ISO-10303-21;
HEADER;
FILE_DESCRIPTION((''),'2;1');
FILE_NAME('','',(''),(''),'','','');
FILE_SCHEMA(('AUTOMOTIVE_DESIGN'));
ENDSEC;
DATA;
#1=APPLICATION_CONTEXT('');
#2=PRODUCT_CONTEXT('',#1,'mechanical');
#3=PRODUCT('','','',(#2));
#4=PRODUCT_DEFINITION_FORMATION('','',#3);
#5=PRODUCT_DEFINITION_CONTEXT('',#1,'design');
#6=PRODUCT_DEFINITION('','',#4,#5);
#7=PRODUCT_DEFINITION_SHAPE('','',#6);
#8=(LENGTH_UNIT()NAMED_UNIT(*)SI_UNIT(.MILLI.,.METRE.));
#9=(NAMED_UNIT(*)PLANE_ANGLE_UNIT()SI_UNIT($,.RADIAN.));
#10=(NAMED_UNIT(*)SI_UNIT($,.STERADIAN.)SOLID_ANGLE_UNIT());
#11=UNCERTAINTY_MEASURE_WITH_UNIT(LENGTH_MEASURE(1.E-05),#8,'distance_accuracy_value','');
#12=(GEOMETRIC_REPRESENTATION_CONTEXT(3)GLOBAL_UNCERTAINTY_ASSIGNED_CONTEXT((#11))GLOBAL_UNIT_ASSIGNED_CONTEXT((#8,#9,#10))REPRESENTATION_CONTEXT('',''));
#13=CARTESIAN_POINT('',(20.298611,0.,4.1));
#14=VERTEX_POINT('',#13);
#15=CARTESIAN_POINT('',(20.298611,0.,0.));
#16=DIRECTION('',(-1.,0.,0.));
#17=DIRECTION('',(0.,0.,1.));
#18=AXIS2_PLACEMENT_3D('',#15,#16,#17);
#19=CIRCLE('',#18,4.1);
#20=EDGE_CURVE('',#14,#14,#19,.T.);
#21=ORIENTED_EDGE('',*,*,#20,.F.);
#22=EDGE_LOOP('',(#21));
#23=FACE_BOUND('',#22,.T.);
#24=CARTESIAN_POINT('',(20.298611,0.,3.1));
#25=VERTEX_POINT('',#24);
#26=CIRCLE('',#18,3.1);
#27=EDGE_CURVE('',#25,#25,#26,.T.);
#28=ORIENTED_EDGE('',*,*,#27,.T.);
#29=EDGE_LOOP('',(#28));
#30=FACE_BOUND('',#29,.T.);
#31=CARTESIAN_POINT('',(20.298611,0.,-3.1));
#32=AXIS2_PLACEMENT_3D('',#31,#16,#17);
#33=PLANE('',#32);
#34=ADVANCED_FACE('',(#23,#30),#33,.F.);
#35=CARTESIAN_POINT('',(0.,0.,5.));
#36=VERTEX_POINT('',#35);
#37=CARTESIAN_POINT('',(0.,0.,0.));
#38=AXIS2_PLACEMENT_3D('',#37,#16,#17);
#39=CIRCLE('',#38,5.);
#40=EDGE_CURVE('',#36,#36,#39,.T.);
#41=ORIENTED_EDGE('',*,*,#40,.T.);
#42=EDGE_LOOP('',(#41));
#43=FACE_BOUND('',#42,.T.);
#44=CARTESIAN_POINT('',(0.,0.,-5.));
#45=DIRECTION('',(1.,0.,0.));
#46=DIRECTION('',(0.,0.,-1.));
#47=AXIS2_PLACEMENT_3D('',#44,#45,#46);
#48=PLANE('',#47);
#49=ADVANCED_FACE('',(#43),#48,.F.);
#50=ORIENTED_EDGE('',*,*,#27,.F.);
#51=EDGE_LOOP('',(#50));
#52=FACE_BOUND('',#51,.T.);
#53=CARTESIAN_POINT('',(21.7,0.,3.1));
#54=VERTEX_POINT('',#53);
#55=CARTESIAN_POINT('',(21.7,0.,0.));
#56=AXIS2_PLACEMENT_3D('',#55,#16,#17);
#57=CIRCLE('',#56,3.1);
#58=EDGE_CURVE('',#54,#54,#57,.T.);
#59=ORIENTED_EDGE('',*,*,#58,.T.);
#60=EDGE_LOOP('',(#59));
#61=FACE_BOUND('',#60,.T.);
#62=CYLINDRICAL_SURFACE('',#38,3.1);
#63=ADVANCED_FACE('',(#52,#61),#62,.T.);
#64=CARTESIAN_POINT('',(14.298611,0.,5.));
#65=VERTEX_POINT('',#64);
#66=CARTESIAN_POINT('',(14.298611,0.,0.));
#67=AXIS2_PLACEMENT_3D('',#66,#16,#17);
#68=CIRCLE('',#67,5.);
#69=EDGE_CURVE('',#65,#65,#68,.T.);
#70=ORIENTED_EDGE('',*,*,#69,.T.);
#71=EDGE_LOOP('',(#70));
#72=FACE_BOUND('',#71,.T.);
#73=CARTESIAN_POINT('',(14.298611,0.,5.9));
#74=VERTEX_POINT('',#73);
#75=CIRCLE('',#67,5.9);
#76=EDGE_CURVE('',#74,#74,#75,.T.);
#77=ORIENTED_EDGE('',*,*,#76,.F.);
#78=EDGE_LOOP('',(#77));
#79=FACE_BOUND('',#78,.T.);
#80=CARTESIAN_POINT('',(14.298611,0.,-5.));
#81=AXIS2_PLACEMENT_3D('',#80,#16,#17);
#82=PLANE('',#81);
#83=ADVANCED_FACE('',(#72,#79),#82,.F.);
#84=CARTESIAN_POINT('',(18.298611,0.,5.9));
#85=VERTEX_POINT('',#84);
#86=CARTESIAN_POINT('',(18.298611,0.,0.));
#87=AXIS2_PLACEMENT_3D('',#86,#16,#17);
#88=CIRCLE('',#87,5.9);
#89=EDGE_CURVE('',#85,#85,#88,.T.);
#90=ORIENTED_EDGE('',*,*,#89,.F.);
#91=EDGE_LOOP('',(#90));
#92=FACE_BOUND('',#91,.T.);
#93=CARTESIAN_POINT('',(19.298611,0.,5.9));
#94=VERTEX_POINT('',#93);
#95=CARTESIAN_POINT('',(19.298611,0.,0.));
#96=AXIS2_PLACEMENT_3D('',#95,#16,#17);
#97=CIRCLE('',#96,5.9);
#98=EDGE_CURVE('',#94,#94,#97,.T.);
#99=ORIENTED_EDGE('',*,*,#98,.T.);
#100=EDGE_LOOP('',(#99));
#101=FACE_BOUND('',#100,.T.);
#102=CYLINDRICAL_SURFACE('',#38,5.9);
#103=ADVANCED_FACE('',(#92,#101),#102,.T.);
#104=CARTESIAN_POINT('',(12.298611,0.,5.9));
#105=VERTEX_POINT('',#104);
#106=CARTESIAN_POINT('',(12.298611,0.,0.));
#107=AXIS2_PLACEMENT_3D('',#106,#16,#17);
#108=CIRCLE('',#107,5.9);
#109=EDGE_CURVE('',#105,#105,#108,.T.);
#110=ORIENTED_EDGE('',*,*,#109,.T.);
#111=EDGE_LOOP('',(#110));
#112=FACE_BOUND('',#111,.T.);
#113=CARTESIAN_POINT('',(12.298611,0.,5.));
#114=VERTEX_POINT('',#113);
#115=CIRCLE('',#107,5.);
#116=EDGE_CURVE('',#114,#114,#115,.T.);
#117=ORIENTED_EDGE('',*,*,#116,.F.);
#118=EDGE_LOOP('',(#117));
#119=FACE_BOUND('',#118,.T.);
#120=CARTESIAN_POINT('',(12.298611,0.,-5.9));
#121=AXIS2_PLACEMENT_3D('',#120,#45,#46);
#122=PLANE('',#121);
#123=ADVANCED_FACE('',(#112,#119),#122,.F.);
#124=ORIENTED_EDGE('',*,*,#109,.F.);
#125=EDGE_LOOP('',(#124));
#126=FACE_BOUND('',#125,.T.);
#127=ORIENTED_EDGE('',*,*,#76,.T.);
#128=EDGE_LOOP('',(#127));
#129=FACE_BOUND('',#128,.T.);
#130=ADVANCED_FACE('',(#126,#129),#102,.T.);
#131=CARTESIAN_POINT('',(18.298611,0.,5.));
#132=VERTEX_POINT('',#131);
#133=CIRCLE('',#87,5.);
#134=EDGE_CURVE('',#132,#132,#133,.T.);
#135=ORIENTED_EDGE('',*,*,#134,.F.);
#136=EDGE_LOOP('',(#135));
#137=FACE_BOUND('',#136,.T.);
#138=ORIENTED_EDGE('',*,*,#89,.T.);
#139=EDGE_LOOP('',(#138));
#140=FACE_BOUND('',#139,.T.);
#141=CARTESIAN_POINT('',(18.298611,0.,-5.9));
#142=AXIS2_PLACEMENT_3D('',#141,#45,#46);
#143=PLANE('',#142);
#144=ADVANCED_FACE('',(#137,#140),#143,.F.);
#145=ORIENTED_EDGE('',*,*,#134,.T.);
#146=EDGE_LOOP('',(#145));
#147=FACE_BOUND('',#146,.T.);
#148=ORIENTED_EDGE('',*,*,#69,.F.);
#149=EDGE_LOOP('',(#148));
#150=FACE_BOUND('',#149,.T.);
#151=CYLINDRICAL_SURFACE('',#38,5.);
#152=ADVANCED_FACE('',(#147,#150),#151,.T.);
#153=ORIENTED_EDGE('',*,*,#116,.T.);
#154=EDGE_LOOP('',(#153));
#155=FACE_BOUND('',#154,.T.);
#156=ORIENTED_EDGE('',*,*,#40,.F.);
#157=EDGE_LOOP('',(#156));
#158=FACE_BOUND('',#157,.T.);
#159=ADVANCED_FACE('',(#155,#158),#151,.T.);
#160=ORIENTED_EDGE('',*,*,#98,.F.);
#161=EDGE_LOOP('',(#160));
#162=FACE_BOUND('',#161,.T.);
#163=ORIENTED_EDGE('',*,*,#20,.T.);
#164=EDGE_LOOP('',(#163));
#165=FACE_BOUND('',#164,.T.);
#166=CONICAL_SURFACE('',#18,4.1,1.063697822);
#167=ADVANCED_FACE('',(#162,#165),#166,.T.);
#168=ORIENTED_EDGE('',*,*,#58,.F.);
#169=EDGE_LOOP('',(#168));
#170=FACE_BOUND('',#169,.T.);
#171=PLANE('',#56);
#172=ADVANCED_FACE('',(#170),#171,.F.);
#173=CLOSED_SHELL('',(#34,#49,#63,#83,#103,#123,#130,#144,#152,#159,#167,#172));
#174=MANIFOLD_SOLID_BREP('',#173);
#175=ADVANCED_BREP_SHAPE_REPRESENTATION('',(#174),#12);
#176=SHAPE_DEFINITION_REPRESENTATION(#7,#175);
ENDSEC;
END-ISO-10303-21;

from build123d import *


with BuildPart() as part:
    # Sketch1 → Revolve1 (revolve)
    with BuildSketch(Plane(origin=(0, 0, 0), x_dir=(1, 0, 0), z_dir=(0, 1, 0)), mode=Mode.PRIVATE) as revolve1_sk:
        Polygon((21.7, 0), (21.7, 3.1), (20.298611111, 3.1), (20.298611111, 4.1), (19.298611111, 5.9), (18.298611111, 5.9), (18.298611111, 5), (14.298611111, 5), (14.298611111, 5.9), (12.298611111, 5.9), (12.298611111, 5), (0, 5), (0, 0), align=None)
    revolve(revolve1_sk.sketch.rotate(Axis((0, 0, 0), (1, 0, 0)), 180), axis=Axis((0, 0, 0), (1, 0, 0)))


solid = part.part
